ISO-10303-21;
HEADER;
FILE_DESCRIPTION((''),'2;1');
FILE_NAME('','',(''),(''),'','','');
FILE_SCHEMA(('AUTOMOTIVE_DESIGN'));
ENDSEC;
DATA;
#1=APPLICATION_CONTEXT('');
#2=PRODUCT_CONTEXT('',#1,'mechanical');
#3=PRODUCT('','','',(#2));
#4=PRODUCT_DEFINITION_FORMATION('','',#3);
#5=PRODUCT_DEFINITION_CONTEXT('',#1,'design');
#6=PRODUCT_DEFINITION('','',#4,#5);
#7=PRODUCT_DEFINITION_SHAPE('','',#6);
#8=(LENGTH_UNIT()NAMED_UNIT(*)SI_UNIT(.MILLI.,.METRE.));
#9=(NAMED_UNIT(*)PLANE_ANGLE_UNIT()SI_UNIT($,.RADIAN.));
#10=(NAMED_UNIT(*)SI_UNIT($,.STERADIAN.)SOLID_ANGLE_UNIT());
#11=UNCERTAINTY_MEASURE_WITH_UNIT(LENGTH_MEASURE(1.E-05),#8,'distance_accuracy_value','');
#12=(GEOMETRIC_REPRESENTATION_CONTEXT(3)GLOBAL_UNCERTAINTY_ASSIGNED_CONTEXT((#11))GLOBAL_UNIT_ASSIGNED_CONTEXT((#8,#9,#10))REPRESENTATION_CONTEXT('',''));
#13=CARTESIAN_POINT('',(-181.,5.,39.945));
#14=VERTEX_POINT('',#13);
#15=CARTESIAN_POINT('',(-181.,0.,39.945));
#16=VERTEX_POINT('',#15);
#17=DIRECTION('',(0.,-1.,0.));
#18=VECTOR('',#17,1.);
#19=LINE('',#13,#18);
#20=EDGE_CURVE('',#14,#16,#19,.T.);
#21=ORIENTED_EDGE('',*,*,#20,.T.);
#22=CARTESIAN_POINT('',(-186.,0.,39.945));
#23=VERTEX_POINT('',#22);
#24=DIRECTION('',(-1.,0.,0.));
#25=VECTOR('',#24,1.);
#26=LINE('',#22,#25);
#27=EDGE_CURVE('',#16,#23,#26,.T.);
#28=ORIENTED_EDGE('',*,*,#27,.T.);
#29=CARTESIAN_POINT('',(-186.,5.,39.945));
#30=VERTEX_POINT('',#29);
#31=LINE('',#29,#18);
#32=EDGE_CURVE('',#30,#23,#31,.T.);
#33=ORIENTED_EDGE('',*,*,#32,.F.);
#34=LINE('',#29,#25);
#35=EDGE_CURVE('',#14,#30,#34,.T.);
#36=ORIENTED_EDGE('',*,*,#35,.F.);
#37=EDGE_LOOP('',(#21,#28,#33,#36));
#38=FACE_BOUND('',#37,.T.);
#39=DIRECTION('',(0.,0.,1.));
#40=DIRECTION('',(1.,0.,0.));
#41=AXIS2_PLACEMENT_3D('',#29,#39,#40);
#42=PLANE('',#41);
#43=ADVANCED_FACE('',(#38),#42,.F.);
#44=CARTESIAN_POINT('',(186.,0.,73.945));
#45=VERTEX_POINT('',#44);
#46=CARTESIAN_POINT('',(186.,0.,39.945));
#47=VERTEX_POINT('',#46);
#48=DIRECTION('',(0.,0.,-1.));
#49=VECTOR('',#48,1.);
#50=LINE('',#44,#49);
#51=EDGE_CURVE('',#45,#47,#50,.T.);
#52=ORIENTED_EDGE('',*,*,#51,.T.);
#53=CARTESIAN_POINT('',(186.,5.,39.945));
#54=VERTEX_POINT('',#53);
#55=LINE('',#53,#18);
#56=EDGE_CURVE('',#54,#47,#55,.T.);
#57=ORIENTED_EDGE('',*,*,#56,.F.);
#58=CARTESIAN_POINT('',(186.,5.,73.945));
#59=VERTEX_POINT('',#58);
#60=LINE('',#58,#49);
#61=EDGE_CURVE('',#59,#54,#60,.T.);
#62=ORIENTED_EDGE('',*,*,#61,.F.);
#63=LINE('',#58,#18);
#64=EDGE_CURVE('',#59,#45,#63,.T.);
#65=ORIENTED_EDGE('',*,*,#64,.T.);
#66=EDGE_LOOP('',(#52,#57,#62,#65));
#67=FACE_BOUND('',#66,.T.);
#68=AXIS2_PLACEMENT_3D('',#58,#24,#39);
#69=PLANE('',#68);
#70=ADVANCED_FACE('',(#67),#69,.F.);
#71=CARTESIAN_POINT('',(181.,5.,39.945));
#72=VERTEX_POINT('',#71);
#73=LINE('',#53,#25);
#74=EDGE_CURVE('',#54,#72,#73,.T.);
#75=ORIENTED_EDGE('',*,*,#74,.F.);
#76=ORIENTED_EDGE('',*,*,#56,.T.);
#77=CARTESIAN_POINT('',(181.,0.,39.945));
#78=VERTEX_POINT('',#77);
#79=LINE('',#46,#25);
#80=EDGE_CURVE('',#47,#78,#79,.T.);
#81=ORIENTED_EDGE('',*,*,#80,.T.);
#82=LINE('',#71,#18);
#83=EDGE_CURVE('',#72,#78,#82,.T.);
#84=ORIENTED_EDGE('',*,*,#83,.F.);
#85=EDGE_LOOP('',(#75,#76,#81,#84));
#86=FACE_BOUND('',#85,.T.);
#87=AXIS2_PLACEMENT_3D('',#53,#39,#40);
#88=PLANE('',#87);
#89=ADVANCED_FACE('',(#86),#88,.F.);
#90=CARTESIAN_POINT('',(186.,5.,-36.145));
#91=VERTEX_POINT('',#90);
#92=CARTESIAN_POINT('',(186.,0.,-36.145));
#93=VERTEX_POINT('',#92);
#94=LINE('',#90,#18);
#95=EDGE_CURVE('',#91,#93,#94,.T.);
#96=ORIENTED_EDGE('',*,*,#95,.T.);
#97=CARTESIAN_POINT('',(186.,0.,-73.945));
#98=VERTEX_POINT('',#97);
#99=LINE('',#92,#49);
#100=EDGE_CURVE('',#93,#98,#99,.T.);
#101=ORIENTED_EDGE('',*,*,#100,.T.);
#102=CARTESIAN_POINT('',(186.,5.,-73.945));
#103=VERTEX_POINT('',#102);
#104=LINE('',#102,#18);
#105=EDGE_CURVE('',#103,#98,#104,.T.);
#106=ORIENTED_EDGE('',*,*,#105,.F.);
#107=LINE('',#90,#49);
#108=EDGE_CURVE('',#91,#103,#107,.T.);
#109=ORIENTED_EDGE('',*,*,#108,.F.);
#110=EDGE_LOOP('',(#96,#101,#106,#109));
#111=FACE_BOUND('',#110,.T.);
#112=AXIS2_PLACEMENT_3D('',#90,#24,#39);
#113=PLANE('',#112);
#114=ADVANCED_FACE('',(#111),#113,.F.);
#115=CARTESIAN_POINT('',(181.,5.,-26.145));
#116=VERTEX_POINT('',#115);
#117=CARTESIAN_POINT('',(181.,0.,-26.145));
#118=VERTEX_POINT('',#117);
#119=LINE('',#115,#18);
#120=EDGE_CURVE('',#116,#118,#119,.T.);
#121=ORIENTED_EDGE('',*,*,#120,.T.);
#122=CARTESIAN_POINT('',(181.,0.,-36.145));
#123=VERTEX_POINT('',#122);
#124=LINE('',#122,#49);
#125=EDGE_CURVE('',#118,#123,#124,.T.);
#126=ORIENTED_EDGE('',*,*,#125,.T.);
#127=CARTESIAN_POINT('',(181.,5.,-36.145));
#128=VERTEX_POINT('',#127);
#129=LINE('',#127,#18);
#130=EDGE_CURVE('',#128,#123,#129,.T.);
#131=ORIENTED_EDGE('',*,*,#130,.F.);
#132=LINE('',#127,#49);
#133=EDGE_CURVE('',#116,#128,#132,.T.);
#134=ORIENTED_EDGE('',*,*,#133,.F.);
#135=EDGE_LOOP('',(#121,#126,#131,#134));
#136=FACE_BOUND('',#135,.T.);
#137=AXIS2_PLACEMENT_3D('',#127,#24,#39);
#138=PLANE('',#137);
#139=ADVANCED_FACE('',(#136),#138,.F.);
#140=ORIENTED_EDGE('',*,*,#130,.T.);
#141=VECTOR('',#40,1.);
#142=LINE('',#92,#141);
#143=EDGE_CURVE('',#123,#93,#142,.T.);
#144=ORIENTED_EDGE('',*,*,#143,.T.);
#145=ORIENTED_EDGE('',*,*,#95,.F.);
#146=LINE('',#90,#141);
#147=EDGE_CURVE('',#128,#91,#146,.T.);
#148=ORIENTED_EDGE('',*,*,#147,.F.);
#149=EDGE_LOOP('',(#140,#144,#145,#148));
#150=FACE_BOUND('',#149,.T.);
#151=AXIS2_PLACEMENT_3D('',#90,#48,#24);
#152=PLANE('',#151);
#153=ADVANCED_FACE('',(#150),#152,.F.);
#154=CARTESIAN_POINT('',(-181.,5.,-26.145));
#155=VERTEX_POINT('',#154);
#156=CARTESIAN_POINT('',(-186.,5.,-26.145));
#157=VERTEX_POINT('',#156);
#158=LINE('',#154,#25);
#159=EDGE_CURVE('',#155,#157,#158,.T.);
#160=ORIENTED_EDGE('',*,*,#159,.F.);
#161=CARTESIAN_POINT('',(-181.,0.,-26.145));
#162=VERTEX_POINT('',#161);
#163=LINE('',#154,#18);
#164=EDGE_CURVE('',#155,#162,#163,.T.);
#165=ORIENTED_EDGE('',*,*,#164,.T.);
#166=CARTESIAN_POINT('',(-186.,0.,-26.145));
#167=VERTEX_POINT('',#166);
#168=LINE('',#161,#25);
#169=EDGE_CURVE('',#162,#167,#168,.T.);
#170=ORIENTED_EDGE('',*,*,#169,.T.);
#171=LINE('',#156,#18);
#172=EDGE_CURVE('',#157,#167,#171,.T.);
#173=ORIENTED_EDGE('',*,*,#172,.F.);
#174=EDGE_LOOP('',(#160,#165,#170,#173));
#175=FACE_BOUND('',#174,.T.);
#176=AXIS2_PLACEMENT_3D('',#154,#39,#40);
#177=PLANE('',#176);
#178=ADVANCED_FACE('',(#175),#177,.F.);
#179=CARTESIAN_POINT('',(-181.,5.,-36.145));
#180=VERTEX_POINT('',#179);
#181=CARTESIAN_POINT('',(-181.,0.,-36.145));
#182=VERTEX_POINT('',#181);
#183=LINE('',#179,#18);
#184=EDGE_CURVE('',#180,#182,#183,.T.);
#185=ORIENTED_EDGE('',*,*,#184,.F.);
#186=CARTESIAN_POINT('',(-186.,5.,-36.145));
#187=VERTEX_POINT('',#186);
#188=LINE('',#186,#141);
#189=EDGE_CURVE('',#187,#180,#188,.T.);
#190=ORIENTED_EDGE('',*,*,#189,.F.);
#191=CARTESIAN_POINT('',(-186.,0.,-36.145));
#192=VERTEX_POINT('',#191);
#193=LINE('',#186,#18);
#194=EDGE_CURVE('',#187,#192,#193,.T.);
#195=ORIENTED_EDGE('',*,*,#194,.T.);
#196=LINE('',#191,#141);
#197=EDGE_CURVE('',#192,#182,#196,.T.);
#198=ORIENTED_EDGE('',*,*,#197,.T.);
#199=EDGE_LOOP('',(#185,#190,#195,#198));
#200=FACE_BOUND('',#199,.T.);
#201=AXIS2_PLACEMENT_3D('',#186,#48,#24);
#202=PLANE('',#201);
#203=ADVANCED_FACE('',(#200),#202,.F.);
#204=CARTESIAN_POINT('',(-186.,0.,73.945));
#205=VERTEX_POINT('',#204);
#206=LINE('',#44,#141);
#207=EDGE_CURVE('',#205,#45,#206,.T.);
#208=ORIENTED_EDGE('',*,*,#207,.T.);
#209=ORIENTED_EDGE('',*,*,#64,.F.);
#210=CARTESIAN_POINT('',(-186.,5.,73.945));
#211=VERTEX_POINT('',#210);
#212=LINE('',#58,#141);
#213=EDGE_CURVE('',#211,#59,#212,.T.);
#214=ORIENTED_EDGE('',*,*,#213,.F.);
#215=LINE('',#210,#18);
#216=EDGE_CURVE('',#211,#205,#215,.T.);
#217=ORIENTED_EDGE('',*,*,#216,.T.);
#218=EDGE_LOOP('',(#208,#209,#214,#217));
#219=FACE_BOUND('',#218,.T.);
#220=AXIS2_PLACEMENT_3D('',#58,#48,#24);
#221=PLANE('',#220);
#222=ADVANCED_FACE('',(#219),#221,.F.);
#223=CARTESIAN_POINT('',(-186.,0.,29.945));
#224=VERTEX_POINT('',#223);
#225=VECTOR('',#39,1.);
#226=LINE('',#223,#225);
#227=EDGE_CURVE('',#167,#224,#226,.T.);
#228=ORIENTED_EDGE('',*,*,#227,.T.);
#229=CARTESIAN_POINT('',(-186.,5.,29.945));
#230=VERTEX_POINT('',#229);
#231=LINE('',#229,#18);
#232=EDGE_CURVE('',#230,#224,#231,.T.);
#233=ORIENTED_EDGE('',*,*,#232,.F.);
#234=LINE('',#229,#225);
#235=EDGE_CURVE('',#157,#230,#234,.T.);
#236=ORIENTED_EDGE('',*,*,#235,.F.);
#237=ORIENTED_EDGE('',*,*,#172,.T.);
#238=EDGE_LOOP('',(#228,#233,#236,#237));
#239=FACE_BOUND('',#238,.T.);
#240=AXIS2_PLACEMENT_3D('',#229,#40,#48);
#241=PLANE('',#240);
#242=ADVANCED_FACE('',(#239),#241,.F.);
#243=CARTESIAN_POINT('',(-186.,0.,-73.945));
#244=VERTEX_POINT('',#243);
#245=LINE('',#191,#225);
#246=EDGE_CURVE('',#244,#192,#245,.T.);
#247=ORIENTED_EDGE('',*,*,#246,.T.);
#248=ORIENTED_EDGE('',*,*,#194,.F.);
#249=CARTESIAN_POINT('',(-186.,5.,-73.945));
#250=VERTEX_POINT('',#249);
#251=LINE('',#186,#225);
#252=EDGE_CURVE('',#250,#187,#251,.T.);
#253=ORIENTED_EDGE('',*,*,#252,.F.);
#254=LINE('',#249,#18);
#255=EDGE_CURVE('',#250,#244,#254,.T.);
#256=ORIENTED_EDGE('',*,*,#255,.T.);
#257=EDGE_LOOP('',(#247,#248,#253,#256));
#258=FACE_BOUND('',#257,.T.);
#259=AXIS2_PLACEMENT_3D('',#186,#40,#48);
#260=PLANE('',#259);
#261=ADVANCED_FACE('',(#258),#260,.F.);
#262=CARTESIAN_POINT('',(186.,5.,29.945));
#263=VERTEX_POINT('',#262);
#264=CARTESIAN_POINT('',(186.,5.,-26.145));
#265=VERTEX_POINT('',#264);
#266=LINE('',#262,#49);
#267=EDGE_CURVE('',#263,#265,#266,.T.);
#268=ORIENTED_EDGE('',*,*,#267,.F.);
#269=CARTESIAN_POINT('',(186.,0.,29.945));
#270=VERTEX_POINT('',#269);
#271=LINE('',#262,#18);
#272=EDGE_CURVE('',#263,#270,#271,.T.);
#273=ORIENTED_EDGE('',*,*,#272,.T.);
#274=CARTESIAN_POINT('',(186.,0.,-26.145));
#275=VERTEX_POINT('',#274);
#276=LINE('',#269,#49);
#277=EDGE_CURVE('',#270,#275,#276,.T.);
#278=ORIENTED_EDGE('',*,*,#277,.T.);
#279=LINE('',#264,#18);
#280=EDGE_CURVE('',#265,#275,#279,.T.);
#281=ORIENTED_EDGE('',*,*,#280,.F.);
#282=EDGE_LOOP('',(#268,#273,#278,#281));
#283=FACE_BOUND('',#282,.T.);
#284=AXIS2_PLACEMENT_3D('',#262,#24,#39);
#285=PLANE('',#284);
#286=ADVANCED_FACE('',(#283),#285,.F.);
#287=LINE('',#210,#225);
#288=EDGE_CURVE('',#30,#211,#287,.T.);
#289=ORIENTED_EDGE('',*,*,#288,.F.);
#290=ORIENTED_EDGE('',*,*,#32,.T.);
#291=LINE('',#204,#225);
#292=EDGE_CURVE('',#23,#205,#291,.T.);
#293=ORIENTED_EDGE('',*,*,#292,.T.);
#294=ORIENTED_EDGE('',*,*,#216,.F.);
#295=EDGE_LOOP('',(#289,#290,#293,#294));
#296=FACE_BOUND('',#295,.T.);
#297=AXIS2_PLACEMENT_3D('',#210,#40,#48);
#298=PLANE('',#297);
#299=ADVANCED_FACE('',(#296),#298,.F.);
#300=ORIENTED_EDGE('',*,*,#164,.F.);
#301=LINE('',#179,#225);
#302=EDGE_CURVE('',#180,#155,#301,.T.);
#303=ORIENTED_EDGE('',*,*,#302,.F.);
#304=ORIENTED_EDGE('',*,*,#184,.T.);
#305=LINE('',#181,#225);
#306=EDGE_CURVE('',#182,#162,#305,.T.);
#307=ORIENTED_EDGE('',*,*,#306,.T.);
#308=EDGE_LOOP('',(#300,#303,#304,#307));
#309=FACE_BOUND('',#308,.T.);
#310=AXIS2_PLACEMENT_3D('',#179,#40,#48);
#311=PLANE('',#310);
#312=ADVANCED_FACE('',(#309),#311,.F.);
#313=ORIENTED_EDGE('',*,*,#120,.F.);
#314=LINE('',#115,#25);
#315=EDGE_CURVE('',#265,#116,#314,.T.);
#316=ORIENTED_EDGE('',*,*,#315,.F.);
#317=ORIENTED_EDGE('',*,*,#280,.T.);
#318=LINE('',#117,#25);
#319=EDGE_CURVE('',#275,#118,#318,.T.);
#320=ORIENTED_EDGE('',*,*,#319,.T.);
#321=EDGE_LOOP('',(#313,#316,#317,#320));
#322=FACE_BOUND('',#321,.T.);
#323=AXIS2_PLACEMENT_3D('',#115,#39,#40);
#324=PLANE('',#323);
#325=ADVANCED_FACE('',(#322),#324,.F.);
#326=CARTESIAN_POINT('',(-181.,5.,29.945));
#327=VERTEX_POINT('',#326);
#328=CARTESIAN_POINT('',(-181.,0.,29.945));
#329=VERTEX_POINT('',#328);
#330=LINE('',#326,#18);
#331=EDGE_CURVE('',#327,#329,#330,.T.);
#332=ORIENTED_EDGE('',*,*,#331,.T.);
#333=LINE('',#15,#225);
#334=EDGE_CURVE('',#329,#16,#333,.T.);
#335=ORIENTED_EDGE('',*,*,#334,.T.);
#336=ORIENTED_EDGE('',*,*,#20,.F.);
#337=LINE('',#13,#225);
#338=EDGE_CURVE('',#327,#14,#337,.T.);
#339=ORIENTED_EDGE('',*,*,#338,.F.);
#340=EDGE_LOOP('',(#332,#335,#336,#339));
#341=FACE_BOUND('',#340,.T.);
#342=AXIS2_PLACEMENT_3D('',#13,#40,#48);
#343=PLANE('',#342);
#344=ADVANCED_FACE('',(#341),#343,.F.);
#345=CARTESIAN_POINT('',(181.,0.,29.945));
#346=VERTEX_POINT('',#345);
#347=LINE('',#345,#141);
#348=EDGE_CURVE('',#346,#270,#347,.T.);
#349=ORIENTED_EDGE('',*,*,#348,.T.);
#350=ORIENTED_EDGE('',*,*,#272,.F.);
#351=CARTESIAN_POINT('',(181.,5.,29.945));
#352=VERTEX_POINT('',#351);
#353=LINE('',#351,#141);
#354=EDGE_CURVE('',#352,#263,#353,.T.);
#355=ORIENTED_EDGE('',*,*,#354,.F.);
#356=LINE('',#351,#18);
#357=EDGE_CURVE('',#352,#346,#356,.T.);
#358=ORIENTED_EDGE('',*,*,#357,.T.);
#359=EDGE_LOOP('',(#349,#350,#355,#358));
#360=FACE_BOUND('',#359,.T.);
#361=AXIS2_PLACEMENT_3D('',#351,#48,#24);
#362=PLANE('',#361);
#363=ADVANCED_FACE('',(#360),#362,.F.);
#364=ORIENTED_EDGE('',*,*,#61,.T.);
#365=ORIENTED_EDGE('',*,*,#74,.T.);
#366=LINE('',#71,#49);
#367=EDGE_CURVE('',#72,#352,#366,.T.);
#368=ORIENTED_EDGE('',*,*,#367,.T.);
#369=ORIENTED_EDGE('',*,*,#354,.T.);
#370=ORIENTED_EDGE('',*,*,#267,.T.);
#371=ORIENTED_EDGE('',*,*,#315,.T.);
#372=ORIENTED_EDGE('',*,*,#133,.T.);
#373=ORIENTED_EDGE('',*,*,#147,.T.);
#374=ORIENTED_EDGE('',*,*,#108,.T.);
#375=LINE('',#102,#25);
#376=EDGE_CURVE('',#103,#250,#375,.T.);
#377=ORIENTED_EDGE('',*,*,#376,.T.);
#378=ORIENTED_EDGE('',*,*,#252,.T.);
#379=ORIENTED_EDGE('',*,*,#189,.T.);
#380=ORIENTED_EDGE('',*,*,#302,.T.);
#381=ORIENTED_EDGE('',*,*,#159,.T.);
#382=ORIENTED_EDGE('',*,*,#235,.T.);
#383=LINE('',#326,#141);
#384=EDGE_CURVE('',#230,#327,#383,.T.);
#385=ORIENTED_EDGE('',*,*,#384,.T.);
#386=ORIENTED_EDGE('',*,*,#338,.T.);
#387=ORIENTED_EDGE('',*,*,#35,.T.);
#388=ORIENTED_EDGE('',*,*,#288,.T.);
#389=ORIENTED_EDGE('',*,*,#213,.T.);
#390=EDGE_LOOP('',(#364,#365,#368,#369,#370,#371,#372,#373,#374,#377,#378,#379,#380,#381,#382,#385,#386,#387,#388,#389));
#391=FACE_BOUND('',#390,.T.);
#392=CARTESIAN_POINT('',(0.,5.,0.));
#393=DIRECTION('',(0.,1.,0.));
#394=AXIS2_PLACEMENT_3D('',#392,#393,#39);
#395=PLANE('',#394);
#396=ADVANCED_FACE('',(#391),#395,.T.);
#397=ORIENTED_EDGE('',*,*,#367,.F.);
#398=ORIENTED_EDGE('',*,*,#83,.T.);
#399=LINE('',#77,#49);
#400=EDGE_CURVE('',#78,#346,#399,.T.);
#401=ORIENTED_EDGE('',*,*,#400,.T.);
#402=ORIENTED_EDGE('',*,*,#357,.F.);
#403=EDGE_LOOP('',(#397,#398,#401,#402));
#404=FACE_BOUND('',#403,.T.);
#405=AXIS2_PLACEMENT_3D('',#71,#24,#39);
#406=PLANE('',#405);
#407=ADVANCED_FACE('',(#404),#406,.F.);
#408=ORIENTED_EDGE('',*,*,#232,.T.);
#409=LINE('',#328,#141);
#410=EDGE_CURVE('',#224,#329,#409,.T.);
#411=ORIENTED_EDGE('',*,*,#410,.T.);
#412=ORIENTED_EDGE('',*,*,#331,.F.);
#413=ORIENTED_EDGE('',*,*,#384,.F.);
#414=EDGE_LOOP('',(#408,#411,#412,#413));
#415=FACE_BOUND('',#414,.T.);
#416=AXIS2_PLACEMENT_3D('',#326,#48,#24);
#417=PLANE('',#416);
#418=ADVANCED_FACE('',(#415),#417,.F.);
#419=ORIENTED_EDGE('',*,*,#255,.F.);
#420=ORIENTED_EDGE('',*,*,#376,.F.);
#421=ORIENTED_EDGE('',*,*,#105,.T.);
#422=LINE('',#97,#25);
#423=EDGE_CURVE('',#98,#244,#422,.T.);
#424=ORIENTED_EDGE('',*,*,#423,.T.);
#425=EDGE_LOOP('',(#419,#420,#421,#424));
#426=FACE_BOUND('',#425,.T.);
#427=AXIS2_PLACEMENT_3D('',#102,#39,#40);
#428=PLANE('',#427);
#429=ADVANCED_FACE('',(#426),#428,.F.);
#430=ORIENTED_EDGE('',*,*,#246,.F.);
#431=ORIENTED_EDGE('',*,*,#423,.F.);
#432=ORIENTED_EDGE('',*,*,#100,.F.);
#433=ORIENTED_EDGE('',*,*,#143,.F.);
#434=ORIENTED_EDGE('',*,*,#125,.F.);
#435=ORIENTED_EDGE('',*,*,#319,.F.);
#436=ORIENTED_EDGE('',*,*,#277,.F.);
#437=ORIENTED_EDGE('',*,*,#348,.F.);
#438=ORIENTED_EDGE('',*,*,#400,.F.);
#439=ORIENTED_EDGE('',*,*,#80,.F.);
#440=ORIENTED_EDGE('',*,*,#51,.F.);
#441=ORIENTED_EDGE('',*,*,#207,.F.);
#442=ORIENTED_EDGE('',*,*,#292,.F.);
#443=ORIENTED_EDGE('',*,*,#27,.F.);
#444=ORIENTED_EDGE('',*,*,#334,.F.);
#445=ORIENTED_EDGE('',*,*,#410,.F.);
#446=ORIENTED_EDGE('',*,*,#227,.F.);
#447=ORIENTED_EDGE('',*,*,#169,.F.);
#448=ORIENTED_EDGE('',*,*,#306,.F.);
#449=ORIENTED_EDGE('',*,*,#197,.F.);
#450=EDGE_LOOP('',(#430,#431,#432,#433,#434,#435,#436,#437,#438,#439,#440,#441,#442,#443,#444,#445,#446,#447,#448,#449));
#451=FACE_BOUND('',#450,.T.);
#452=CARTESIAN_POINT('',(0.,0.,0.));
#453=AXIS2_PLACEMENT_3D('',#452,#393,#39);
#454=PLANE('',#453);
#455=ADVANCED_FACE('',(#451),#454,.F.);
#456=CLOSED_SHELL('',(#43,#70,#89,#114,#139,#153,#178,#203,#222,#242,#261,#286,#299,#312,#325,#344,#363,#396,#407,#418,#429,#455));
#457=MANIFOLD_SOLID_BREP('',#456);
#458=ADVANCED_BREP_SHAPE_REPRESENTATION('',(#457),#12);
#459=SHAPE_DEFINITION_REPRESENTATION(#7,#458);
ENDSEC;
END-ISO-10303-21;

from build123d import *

# Parameters (mm, degrees)
BOSS_EXTRUDE1_DEPTH = 5


with BuildPart() as part:
    # Sketch1 → Boss-Extrude1 (new body)
    with BuildSketch(Plane(origin=(0, 0, 0), x_dir=(1, 0, 0), z_dir=(0, 1, 0))):
        Polygon((-186, 36.145), (-181, 36.145), (-181, 26.145), (-186, 26.145), (-186, -29.945), (-181, -29.945), (-181, -39.945), (-186, -39.945), (-186, -73.945), (186, -73.945), (186, -39.945), (181, -39.945), (181, -29.945), (186, -29.945), (186, 26.145), (181, 26.145), (181, 36.145), (186, 36.145), (186, 73.945), (-186, 73.945), align=None)
    extrude(amount=BOSS_EXTRUDE1_DEPTH)


solid = part.part
